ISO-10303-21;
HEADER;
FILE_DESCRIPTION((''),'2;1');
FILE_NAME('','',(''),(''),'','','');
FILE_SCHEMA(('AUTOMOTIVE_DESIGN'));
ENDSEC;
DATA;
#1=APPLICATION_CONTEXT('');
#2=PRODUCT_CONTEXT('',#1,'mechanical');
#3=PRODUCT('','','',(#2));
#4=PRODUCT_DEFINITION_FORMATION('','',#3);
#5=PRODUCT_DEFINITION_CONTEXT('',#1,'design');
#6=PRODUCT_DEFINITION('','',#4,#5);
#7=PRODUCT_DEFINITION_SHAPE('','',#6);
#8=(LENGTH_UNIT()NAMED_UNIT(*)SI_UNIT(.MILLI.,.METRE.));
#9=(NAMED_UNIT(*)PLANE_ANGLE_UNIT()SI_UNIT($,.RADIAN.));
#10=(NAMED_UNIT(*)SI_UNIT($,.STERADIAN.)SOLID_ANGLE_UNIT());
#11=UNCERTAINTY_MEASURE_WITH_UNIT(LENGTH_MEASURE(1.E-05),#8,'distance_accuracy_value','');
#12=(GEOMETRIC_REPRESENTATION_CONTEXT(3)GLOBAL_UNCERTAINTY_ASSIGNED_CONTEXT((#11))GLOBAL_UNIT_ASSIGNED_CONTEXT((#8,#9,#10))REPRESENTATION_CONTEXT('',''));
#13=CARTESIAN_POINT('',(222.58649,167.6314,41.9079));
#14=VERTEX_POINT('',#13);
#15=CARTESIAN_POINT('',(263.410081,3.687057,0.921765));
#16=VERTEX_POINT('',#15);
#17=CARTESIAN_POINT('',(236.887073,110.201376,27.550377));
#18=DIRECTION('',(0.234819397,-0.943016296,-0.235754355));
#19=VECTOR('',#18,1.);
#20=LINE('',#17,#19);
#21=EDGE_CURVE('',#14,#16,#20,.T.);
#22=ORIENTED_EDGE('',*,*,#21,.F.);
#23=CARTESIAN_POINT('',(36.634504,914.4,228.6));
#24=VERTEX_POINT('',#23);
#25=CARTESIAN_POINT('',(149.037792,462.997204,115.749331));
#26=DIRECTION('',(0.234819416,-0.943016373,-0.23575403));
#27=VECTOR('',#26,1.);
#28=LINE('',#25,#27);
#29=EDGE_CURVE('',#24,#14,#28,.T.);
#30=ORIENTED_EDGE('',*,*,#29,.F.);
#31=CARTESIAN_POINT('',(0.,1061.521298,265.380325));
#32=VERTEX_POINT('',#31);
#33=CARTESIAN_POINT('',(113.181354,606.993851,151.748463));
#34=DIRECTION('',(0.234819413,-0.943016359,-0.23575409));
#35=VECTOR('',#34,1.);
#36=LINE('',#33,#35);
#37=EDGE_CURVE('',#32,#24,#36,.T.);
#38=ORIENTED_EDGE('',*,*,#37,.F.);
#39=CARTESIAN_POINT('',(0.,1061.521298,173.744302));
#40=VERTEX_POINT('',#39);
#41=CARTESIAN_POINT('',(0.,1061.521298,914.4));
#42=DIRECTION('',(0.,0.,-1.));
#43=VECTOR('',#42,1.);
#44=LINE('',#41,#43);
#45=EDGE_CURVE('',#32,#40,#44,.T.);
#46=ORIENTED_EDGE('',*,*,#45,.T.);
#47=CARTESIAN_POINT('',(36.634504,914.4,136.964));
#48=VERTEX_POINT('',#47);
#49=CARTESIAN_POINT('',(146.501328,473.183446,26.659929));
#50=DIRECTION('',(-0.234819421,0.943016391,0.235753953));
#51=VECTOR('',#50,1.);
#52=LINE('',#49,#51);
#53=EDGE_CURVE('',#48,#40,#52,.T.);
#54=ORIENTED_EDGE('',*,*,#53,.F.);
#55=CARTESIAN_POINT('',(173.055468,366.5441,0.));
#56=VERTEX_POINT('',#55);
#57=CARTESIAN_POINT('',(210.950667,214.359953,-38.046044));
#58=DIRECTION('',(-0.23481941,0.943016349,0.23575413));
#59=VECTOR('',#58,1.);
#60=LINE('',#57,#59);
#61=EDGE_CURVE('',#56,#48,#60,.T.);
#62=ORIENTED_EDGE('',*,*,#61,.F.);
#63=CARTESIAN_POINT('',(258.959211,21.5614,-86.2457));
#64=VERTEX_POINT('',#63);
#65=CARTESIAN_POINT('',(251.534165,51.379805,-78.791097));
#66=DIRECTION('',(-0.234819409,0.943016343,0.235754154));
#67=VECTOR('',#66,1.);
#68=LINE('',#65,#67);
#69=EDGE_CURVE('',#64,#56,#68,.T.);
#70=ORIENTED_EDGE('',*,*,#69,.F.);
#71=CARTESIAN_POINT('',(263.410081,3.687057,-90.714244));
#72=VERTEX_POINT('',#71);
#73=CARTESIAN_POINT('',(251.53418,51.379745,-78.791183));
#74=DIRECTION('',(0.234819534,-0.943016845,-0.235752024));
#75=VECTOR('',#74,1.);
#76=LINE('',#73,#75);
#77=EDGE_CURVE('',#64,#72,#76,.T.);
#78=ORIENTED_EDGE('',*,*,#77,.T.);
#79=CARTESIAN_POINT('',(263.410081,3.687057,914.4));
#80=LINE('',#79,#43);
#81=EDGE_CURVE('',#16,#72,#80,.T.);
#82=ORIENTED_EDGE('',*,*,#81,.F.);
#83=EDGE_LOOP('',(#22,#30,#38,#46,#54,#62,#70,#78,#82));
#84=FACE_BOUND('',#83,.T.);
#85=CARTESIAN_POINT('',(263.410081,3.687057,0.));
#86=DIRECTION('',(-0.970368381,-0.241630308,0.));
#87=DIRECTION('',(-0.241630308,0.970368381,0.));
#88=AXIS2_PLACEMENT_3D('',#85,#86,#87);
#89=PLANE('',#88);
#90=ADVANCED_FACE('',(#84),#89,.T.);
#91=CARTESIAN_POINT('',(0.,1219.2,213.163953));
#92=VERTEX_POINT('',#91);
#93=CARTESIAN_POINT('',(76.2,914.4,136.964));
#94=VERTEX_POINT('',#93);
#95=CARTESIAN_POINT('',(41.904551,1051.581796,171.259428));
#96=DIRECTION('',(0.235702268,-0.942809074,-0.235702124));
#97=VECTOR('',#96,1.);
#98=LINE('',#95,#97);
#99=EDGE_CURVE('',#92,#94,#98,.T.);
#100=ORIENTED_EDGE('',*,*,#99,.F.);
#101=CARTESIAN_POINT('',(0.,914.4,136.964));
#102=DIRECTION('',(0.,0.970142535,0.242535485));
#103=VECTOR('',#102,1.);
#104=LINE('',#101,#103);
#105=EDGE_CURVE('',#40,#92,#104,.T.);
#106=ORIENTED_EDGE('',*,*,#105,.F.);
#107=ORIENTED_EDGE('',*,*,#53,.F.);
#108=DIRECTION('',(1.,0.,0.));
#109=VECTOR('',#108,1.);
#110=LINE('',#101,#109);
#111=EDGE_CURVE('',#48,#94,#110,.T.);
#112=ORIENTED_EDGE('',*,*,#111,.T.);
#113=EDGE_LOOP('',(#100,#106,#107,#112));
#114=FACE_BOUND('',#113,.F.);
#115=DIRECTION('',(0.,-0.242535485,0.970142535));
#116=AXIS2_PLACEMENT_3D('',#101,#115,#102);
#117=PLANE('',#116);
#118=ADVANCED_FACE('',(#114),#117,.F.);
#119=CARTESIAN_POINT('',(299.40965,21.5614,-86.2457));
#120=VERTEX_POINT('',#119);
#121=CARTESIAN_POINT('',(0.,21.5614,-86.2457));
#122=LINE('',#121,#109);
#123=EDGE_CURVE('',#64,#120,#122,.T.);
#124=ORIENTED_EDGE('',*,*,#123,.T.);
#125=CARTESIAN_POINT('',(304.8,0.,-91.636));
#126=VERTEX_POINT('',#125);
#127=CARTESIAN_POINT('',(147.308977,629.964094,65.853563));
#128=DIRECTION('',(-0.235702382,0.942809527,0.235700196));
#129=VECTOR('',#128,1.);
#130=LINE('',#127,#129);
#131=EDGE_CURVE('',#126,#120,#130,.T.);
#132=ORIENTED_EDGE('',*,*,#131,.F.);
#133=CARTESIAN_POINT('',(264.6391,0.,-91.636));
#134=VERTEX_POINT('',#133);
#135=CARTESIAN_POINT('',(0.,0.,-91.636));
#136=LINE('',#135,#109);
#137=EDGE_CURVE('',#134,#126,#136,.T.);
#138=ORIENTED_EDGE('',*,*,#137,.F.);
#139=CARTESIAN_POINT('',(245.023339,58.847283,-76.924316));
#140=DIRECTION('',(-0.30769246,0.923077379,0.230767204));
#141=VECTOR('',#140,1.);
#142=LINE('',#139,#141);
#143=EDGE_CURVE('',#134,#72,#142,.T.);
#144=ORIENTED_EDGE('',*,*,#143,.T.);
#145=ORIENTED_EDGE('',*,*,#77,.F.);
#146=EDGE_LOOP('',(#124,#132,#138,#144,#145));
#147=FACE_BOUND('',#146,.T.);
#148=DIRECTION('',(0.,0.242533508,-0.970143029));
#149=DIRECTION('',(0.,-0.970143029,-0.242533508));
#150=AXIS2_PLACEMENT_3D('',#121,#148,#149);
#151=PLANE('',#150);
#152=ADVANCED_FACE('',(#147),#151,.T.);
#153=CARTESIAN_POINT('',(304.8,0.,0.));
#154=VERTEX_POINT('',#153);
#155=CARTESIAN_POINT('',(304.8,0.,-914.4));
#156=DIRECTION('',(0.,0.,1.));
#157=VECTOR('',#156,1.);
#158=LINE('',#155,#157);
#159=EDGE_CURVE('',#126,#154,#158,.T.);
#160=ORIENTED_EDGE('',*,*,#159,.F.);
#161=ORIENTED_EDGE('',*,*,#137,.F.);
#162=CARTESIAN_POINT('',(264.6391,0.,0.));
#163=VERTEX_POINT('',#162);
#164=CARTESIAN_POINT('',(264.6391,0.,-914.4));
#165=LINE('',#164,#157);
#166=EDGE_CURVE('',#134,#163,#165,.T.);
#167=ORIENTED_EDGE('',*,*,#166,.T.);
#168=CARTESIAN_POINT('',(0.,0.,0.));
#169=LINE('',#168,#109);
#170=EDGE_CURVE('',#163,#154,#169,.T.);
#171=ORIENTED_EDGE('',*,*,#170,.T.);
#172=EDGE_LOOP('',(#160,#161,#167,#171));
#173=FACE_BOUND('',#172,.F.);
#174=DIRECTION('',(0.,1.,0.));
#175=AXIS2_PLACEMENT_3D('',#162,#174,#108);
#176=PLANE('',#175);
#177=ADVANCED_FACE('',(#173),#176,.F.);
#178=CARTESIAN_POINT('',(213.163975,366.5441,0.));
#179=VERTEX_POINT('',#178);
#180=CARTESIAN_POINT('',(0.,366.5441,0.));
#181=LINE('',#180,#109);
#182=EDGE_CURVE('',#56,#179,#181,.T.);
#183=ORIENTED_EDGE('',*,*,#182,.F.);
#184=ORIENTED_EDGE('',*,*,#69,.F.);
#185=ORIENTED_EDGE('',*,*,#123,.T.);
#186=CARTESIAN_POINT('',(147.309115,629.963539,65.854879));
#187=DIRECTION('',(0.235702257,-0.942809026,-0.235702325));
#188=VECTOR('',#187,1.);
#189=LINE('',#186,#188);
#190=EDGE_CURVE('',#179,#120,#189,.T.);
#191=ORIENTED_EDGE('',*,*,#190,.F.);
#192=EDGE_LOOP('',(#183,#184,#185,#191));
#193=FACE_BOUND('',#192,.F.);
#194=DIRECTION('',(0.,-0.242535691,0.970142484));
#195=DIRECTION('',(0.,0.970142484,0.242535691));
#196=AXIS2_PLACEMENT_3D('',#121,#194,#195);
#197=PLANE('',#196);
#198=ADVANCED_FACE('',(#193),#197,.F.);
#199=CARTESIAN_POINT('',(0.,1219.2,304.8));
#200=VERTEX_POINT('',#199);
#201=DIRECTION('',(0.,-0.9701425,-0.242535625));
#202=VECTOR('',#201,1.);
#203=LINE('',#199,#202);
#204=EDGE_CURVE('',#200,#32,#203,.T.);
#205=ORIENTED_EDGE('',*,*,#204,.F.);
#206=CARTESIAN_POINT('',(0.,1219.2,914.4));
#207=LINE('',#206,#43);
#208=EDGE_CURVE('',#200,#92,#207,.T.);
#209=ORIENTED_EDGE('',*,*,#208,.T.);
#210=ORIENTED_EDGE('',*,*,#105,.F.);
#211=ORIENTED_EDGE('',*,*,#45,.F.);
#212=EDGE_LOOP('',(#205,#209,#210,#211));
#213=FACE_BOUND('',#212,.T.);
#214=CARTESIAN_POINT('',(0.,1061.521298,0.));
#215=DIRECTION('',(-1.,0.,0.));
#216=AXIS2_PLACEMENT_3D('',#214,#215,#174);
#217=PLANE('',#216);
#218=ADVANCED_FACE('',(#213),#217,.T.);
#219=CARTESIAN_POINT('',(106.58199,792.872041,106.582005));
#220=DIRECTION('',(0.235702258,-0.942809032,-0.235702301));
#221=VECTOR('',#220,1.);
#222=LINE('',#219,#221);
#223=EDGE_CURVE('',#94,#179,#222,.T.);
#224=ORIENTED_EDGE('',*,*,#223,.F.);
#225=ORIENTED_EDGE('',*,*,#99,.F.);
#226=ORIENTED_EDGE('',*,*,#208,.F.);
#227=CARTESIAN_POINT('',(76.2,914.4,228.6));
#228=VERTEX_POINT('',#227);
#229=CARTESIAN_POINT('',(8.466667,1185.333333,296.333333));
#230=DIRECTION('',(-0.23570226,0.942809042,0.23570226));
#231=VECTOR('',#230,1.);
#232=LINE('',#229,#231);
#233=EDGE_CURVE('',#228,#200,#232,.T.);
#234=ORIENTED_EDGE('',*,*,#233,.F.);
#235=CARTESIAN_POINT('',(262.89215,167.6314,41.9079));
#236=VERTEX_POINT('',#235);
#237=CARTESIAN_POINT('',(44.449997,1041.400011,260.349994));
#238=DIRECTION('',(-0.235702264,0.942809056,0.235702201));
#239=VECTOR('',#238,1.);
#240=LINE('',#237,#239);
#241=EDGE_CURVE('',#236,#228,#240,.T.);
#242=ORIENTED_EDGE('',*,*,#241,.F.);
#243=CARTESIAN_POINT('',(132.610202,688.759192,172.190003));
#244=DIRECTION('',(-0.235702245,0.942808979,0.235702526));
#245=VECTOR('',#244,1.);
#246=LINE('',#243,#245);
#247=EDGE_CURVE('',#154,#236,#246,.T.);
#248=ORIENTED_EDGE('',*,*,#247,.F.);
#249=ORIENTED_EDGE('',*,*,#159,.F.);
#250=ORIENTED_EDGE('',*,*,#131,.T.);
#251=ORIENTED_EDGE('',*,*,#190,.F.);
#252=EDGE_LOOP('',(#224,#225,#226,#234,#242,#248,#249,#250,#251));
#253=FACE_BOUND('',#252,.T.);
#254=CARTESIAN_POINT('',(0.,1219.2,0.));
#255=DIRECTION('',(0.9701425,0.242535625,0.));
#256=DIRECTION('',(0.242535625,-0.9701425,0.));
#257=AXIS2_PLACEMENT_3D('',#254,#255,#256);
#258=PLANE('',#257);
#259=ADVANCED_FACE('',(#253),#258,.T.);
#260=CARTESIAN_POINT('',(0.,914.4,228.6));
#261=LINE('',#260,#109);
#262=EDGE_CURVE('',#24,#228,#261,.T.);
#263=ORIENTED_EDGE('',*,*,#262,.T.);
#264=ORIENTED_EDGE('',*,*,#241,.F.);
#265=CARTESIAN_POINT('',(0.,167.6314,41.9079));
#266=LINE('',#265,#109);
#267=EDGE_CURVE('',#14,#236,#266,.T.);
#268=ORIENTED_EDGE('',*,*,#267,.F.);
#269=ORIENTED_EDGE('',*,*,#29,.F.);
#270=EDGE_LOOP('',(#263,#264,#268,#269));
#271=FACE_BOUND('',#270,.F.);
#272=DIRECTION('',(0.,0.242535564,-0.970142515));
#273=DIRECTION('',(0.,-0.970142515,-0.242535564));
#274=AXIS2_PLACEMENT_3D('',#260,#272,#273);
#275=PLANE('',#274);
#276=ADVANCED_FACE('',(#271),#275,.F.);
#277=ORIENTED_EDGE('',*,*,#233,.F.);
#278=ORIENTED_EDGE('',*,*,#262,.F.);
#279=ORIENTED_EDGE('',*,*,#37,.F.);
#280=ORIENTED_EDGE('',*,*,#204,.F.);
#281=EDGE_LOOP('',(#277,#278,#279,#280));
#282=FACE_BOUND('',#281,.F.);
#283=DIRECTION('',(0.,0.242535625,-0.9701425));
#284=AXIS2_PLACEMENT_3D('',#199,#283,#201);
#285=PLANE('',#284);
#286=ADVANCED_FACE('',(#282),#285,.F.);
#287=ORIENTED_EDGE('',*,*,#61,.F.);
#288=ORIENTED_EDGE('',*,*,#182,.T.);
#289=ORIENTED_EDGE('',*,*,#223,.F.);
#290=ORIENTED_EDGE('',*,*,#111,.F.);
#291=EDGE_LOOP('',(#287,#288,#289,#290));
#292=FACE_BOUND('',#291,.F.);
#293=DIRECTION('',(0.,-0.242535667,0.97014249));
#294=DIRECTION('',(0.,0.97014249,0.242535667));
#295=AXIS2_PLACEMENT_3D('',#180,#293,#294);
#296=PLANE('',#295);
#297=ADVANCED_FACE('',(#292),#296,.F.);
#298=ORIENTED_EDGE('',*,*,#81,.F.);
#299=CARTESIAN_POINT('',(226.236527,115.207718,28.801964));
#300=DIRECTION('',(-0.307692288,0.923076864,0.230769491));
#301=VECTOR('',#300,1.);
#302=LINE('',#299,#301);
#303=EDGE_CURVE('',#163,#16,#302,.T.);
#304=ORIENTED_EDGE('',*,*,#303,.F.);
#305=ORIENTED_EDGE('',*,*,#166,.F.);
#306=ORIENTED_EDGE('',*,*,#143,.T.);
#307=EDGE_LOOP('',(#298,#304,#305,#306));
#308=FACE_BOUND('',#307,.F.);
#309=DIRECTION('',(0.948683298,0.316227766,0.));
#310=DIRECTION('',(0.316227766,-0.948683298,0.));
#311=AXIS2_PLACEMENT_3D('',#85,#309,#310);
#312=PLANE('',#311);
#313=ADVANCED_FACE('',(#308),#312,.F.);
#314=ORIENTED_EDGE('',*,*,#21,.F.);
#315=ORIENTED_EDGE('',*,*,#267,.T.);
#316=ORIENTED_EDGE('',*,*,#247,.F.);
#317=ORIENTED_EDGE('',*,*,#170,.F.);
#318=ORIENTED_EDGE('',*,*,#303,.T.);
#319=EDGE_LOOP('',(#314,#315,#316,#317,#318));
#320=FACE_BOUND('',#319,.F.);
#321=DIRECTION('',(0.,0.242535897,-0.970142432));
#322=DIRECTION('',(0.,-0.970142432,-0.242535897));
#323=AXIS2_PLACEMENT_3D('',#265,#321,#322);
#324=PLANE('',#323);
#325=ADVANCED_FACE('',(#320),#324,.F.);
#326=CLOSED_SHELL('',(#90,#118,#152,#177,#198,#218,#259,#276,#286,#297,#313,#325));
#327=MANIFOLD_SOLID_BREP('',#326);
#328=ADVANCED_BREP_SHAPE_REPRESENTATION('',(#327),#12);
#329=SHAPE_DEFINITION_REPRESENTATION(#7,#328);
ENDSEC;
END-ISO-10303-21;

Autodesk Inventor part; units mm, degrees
ref_plane "YZ Plane" through (0, 0, 0) normal (1, 0, 0) x (0, 1, 0)
ref_plane "XZ Plane" through (0, 0, 0) normal (0, 1, 0) x (-1, 0, 0)
ref_plane "XY Plane" through (0, 0, 0) normal (0, 0, 1) x (1, 0, 0)
sketch "Sketch1" plane through (0, 0, 0) normal (0, 0, 1) x (1, 0, 0)
  line L0 (0, 0) -> (304.8, 0)
  line L1 (0, 0) -> (0, 914.4)
  line L2 (0, 914.4) -> (304.8, 0)
  line L3 (0, 914.4) -> (-36.1448, 902.3517)
  line L4 (304.8, 0) -> (268.6552, -12.0483)
  line L5 (-36.1448, 902.3517) -> (268.6552, -12.0483)
  line L6 (0, 914.4) -> (0, 1219.2)
  line L7 (0, 1219.2) -> (304.8, 0)
  line L8 (0, 1219.2) -> (-36.9624, 1209.9594)
  line L9 (304.8, 0) -> (266.7, -9.525)
  line L10 (266.7, -9.525) -> (-36.9624, 1209.9594)
  point P0 (0, 793.9172)
  point P1 (264.6391, 0)
  point P2 (0, 1061.5212)
  point P3 (263.4102, 3.6867)
  dimension "d0" = 304.8
  dimension "d1" = 914.4
  dimension "d2" = 38.1
  dimension "d3" = 90
  dimension "d4" = 38.1
  dimension "d19" = 304.8
  dimension "d20" = 38.1
  dimension "d21" = 38.1
sketch "Sketch2" plane through (0, 0, 0) normal (1, 0, 0) x (0, 1, 0)
  line L0 (0, 0) -> (0, 914.4)
  line L1 (0, 914.4) -> (914.4, 914.4)
  line L2 (914.4, 914.4) -> (914.4, 0)
  line L3 (914.4, 914.4) -> (0, 0)
  line L4 (914.4, 914.4) -> (977.2618, 851.5382)
  line L5 (0, 0) -> (62.8618, -62.8618)
  line L6 (977.2618, 851.5382) -> (914.4, 788.6764)
  line L7 (914.4, 0) -> (366.5441, 0)
  line L8 (914.4, 0) -> (1219.2, 0)
  line L9 (0, 0) -> (0, -609.6)
  line L10 (914.4, 0) -> (914.4, 304.8)
  line L11 (914.4, 304.8) -> (1219.2, 304.8)
  line L12 (1219.2, 304.8) -> (1219.2, 0)
  line L13 (1219.2, 304.8) -> (914.4, 914.4)
  line L14 (1219.2, 304.8) -> (914.4, 228.6)
  line L15 (167.6314, 41.9079) -> (0, 0)
  line L16 (167.6314, 41.9079) -> (125.7236, 0)
  line L17 (1219.2, 304.8) -> (1240.7614, 218.5543)
  line L18 (0, 0) -> (21.5614, -86.2457)
  line L19 (21.5614, -86.2457) -> (366.5441, 0)
  line L20 (366.5441, 0) -> (914.4, 136.964)
  line L21 (914.4, 136.964) -> (1240.7614, 218.5543)
  line L22 (914.4, 228.6) -> (167.6314, 41.9079)
  line L23 (366.5441, 0) -> (125.7236, 0)
  line L24 (125.7236, 0) -> (62.8618, -62.8618)
  line L25 (125.7236, 0) -> (0, 0)
  line L26 (914.4, 788.6764) -> (167.6314, 41.9079)
  line L27 (1219.2, 304.8) -> (1219.2, 914.4)
  line L28 (1219.2, 914.4) -> (914.4, 914.4)
  line L29 (21.5614, -86.2457) -> (0, -91.636)
  line L30 (0, -609.6) -> (0, -914.4)
  line L31 (0, -914.4) -> (1219.2, -914.4)
  line L32 (1219.2, -914.4) -> (1219.2, 0)
  line L33 (0, -91.636) -> (-21.5614, -5.3904)
  line L34 (0, 0) -> (-21.5614, -5.3904)
  point P0 (125.7236, 0)
  point P1 (1219.2, 213.164)
  dimension "d5" = 914.4
  dimension "d6" = 914.4
  dimension "d7" = 914.4
  dimension "d8" = 88.9
  dimension "d9" = 88.9
  dimension "d14" = 304.8
  dimension "d15" = 609.6
  dimension "d16" = 304.8
  dimension "d17" = 304.8
  dimension "d18" = 88.9
  dimension "d24" = 304.8
  dimension "d25" = 1219.2
  dimension "d30" = 88.9
extrude "Extrusion4" add sketch "Sketch1" along normal mid plane 1828.8 contours L5 L10 L2 L0 | L2 L10 L6 L7
extrude "Extrusion5" cut sketch "Sketch2" along normal blind 1828.8 contours L0 L1 L3 | L3 L2 L26 L15 | L13 L6 L2 | L28 L27 L13 L6 L4 | L4 L6 L13 | L29 L19 L7 L8 L32 L31 L30 L9 | L26 L2 L22 | L6 L13 L11 L2 | L2 L11 L14 | L20 L2 L7 | L21 L12 L8 L2
properties part number "SS_2x4x50.352"
